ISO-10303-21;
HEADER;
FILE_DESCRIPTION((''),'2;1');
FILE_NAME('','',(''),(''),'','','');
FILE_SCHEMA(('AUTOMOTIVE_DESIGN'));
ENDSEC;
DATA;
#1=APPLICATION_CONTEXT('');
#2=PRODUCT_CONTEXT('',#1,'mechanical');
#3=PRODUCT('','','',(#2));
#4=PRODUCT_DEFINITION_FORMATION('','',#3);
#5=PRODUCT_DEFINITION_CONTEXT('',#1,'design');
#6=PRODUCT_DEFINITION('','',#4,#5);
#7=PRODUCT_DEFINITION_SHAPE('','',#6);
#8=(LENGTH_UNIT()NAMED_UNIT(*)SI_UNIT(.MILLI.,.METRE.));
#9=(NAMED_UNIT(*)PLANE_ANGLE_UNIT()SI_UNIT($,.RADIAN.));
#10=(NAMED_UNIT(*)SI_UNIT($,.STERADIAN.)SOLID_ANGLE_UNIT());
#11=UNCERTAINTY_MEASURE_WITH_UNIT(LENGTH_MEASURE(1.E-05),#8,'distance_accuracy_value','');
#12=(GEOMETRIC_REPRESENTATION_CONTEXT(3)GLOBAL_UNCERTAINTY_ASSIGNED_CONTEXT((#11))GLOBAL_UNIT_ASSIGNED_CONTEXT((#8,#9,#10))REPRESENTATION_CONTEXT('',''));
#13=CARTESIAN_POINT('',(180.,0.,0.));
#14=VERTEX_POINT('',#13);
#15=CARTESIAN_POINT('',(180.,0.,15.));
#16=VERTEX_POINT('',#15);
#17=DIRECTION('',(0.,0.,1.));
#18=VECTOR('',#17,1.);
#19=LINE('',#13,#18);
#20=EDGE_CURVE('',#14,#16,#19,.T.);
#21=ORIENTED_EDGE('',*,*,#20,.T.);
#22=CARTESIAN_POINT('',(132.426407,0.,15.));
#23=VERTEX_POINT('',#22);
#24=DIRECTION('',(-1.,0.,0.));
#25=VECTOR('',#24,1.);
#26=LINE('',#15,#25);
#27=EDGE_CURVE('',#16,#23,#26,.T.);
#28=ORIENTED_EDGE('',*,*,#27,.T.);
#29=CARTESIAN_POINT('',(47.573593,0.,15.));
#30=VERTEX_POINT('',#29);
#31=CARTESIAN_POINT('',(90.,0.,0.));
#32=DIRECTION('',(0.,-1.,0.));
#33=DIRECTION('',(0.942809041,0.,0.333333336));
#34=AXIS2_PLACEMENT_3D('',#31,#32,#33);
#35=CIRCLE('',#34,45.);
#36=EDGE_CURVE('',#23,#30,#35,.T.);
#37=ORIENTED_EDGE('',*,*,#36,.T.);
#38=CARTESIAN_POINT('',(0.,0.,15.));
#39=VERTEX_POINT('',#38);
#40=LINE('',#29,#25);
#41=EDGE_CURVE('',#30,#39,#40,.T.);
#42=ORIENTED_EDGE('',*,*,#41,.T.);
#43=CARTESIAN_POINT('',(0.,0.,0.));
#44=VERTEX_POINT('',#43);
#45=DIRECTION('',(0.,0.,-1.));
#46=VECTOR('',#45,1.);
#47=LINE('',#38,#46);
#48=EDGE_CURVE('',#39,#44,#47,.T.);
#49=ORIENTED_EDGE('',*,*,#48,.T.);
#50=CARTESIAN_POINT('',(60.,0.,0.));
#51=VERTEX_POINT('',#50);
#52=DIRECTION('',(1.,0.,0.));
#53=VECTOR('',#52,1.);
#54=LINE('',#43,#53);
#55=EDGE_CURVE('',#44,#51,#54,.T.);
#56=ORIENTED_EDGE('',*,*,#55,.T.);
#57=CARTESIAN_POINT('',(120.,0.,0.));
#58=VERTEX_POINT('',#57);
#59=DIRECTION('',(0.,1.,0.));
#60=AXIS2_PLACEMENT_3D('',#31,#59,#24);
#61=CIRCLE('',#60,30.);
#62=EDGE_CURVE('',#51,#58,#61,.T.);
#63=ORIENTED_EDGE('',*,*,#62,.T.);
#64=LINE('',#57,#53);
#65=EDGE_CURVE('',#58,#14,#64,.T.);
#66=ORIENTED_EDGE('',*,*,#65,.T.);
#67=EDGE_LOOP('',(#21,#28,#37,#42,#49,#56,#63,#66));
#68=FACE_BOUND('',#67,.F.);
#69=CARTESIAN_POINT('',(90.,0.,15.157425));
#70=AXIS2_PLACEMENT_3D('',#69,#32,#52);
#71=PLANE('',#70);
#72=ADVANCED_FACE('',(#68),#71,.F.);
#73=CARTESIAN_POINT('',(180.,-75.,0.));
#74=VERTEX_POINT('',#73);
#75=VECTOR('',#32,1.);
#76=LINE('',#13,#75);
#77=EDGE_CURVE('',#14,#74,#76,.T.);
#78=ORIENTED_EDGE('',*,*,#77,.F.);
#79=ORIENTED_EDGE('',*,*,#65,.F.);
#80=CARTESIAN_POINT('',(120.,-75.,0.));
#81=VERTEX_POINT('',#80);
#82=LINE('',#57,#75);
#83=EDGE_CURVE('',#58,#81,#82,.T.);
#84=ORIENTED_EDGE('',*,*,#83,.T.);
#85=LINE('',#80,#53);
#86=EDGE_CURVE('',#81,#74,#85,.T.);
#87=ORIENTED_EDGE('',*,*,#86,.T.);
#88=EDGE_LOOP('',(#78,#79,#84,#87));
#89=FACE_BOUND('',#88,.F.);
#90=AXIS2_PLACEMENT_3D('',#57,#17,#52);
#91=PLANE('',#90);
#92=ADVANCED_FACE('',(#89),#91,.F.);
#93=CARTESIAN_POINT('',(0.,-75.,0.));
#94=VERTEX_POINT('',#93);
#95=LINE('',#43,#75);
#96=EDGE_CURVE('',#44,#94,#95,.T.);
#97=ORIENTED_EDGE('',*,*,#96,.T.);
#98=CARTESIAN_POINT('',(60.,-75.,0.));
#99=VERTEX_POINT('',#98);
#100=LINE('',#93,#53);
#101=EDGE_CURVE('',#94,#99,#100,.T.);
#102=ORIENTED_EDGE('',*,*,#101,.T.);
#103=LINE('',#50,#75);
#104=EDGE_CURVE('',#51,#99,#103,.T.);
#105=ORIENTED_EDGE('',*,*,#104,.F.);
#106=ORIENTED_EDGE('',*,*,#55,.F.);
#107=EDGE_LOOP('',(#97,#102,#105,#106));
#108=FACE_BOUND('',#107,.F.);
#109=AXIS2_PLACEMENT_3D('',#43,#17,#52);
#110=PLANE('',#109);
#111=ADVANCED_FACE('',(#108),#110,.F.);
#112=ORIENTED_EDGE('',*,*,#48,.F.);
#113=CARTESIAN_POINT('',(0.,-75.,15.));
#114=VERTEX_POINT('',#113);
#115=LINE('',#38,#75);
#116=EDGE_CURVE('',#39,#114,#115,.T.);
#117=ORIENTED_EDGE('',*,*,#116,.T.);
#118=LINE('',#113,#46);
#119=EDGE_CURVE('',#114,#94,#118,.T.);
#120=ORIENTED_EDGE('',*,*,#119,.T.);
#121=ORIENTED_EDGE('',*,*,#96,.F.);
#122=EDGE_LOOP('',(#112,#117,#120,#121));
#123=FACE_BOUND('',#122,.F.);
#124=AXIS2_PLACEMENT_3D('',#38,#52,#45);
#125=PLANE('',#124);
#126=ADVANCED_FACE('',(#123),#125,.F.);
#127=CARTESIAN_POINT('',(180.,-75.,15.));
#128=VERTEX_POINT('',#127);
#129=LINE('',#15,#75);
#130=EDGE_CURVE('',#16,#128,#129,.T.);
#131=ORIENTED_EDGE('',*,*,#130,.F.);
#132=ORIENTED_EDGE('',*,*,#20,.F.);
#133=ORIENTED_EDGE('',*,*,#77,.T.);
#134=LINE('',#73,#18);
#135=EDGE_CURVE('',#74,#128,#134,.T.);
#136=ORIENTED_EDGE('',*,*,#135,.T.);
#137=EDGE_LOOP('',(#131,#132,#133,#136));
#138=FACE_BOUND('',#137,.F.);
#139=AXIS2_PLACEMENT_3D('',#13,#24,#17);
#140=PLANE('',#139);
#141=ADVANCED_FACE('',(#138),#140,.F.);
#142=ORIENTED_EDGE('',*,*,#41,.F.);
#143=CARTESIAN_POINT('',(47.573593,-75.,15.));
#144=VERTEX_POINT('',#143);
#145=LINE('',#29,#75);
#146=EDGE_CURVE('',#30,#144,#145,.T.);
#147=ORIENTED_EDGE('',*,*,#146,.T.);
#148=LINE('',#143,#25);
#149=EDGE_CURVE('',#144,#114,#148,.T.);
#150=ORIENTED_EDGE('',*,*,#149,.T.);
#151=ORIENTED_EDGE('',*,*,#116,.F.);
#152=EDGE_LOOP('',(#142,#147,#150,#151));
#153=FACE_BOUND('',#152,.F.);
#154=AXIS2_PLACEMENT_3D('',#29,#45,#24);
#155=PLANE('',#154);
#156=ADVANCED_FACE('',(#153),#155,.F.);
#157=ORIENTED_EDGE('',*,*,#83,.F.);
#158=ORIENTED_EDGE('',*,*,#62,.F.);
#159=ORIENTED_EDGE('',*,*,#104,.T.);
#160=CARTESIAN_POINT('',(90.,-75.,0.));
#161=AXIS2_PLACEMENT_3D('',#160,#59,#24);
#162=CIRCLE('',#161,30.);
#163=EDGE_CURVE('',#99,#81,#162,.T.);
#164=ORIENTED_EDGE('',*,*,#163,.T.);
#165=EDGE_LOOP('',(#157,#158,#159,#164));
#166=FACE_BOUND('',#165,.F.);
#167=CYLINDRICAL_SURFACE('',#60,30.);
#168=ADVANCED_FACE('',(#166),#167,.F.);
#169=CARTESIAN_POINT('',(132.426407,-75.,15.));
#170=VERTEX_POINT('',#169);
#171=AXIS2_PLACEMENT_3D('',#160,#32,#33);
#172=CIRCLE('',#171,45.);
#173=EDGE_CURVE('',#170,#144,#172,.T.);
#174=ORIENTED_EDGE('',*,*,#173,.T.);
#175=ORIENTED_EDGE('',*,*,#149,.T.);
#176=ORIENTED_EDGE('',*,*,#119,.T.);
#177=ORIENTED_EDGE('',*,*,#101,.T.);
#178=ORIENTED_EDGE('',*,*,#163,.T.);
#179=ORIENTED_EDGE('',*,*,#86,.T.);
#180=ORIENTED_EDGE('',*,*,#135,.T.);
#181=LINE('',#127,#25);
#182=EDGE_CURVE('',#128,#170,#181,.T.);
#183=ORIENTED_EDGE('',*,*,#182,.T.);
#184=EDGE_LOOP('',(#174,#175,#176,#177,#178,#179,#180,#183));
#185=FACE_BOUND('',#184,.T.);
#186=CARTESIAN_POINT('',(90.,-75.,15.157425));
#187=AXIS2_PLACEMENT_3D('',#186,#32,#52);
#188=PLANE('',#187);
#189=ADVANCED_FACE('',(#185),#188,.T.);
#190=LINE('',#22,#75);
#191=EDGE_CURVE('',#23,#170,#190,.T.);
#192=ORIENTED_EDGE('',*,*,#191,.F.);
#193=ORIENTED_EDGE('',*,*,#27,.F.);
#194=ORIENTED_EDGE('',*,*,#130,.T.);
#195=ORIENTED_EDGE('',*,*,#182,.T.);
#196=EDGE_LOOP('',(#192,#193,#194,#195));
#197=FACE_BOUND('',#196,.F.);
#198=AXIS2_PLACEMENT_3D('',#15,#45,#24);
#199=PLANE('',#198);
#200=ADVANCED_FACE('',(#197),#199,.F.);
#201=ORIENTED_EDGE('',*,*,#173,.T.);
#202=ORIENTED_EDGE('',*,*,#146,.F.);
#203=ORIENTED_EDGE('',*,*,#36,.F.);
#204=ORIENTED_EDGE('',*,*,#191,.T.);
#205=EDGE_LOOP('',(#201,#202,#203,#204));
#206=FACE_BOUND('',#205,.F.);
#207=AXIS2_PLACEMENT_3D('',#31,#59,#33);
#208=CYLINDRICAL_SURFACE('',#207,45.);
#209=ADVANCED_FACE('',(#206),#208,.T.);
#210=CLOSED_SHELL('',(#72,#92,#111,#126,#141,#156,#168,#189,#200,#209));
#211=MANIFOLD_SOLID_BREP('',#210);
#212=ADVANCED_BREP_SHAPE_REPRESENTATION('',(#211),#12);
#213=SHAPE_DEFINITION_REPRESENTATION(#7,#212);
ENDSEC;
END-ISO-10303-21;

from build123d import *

# Parameters (mm, degrees)
F1_DEPTH = 75


with BuildPart() as f1:
    # F0 (on Front) → F1 (new body)
    with BuildSketch(Plane.XZ):
        with BuildLine():
            Line((0, 15), (0, 0))
            Line((0, 0), (60, 0))
            ThreePointArc((60, 0), (90, 30), (120, 0))
            Line((120, 0), (180, 0))
            Line((180, 0), (180, 15))
            Line((180, 15), (132.426407, 15))
            ThreePointArc((132.426407, 15), (90, 45), (47.573593, 15))
            Line((47.573593, 15), (0, 15))
        make_face()
    extrude(amount=F1_DEPTH)


solid = f1.part
